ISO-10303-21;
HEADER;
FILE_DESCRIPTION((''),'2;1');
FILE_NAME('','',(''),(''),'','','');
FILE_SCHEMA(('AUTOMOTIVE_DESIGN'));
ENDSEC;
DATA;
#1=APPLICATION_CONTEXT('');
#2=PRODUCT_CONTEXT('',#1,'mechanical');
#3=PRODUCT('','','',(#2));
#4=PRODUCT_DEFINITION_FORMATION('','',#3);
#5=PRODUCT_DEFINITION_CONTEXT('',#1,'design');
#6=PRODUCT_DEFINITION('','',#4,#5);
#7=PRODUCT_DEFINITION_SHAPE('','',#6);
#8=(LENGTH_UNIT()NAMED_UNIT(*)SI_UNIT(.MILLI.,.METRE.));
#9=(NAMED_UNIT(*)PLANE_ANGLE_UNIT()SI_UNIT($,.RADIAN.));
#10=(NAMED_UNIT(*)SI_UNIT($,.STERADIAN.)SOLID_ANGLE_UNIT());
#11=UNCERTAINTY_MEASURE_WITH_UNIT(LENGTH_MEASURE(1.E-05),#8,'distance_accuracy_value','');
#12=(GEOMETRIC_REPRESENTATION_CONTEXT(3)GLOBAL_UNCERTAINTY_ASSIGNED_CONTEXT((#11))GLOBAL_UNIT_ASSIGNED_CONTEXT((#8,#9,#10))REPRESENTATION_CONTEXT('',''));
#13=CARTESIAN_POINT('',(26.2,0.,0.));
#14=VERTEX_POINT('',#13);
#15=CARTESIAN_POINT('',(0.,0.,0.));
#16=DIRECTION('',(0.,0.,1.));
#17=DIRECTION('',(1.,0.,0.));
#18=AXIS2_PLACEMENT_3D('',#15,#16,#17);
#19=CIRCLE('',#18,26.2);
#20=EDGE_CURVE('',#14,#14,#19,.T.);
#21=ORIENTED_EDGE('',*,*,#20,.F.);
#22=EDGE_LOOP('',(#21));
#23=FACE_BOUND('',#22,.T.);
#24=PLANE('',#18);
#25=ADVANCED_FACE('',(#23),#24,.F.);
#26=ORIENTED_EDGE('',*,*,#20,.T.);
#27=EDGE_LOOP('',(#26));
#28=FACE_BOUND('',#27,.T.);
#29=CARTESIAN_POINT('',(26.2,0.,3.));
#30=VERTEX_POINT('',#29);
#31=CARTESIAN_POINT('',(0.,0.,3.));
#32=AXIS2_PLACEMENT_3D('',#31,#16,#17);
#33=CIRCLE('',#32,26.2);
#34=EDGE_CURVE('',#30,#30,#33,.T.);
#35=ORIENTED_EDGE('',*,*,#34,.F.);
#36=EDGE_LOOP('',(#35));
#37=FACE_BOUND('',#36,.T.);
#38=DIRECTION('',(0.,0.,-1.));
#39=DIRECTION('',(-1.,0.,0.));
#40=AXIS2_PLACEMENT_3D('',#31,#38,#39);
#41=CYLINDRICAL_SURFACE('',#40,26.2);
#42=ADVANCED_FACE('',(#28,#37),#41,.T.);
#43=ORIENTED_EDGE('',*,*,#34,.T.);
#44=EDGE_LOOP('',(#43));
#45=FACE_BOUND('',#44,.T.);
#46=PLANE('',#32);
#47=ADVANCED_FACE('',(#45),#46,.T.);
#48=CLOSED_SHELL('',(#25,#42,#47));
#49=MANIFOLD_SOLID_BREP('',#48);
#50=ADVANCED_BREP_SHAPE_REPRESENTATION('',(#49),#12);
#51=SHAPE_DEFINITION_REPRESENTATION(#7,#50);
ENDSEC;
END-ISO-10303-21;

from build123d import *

# Parameters (mm, degrees)
CROQUIS1_R              = 26.2
SALIENTE_EXTRUIR1_DEPTH = 3


with BuildPart() as part:
    # Croquis1 → Saliente-Extruir1 (new body)
    with BuildSketch(Plane.XY):
        Circle(CROQUIS1_R)
    extrude(amount=SALIENTE_EXTRUIR1_DEPTH)


solid = part.part
